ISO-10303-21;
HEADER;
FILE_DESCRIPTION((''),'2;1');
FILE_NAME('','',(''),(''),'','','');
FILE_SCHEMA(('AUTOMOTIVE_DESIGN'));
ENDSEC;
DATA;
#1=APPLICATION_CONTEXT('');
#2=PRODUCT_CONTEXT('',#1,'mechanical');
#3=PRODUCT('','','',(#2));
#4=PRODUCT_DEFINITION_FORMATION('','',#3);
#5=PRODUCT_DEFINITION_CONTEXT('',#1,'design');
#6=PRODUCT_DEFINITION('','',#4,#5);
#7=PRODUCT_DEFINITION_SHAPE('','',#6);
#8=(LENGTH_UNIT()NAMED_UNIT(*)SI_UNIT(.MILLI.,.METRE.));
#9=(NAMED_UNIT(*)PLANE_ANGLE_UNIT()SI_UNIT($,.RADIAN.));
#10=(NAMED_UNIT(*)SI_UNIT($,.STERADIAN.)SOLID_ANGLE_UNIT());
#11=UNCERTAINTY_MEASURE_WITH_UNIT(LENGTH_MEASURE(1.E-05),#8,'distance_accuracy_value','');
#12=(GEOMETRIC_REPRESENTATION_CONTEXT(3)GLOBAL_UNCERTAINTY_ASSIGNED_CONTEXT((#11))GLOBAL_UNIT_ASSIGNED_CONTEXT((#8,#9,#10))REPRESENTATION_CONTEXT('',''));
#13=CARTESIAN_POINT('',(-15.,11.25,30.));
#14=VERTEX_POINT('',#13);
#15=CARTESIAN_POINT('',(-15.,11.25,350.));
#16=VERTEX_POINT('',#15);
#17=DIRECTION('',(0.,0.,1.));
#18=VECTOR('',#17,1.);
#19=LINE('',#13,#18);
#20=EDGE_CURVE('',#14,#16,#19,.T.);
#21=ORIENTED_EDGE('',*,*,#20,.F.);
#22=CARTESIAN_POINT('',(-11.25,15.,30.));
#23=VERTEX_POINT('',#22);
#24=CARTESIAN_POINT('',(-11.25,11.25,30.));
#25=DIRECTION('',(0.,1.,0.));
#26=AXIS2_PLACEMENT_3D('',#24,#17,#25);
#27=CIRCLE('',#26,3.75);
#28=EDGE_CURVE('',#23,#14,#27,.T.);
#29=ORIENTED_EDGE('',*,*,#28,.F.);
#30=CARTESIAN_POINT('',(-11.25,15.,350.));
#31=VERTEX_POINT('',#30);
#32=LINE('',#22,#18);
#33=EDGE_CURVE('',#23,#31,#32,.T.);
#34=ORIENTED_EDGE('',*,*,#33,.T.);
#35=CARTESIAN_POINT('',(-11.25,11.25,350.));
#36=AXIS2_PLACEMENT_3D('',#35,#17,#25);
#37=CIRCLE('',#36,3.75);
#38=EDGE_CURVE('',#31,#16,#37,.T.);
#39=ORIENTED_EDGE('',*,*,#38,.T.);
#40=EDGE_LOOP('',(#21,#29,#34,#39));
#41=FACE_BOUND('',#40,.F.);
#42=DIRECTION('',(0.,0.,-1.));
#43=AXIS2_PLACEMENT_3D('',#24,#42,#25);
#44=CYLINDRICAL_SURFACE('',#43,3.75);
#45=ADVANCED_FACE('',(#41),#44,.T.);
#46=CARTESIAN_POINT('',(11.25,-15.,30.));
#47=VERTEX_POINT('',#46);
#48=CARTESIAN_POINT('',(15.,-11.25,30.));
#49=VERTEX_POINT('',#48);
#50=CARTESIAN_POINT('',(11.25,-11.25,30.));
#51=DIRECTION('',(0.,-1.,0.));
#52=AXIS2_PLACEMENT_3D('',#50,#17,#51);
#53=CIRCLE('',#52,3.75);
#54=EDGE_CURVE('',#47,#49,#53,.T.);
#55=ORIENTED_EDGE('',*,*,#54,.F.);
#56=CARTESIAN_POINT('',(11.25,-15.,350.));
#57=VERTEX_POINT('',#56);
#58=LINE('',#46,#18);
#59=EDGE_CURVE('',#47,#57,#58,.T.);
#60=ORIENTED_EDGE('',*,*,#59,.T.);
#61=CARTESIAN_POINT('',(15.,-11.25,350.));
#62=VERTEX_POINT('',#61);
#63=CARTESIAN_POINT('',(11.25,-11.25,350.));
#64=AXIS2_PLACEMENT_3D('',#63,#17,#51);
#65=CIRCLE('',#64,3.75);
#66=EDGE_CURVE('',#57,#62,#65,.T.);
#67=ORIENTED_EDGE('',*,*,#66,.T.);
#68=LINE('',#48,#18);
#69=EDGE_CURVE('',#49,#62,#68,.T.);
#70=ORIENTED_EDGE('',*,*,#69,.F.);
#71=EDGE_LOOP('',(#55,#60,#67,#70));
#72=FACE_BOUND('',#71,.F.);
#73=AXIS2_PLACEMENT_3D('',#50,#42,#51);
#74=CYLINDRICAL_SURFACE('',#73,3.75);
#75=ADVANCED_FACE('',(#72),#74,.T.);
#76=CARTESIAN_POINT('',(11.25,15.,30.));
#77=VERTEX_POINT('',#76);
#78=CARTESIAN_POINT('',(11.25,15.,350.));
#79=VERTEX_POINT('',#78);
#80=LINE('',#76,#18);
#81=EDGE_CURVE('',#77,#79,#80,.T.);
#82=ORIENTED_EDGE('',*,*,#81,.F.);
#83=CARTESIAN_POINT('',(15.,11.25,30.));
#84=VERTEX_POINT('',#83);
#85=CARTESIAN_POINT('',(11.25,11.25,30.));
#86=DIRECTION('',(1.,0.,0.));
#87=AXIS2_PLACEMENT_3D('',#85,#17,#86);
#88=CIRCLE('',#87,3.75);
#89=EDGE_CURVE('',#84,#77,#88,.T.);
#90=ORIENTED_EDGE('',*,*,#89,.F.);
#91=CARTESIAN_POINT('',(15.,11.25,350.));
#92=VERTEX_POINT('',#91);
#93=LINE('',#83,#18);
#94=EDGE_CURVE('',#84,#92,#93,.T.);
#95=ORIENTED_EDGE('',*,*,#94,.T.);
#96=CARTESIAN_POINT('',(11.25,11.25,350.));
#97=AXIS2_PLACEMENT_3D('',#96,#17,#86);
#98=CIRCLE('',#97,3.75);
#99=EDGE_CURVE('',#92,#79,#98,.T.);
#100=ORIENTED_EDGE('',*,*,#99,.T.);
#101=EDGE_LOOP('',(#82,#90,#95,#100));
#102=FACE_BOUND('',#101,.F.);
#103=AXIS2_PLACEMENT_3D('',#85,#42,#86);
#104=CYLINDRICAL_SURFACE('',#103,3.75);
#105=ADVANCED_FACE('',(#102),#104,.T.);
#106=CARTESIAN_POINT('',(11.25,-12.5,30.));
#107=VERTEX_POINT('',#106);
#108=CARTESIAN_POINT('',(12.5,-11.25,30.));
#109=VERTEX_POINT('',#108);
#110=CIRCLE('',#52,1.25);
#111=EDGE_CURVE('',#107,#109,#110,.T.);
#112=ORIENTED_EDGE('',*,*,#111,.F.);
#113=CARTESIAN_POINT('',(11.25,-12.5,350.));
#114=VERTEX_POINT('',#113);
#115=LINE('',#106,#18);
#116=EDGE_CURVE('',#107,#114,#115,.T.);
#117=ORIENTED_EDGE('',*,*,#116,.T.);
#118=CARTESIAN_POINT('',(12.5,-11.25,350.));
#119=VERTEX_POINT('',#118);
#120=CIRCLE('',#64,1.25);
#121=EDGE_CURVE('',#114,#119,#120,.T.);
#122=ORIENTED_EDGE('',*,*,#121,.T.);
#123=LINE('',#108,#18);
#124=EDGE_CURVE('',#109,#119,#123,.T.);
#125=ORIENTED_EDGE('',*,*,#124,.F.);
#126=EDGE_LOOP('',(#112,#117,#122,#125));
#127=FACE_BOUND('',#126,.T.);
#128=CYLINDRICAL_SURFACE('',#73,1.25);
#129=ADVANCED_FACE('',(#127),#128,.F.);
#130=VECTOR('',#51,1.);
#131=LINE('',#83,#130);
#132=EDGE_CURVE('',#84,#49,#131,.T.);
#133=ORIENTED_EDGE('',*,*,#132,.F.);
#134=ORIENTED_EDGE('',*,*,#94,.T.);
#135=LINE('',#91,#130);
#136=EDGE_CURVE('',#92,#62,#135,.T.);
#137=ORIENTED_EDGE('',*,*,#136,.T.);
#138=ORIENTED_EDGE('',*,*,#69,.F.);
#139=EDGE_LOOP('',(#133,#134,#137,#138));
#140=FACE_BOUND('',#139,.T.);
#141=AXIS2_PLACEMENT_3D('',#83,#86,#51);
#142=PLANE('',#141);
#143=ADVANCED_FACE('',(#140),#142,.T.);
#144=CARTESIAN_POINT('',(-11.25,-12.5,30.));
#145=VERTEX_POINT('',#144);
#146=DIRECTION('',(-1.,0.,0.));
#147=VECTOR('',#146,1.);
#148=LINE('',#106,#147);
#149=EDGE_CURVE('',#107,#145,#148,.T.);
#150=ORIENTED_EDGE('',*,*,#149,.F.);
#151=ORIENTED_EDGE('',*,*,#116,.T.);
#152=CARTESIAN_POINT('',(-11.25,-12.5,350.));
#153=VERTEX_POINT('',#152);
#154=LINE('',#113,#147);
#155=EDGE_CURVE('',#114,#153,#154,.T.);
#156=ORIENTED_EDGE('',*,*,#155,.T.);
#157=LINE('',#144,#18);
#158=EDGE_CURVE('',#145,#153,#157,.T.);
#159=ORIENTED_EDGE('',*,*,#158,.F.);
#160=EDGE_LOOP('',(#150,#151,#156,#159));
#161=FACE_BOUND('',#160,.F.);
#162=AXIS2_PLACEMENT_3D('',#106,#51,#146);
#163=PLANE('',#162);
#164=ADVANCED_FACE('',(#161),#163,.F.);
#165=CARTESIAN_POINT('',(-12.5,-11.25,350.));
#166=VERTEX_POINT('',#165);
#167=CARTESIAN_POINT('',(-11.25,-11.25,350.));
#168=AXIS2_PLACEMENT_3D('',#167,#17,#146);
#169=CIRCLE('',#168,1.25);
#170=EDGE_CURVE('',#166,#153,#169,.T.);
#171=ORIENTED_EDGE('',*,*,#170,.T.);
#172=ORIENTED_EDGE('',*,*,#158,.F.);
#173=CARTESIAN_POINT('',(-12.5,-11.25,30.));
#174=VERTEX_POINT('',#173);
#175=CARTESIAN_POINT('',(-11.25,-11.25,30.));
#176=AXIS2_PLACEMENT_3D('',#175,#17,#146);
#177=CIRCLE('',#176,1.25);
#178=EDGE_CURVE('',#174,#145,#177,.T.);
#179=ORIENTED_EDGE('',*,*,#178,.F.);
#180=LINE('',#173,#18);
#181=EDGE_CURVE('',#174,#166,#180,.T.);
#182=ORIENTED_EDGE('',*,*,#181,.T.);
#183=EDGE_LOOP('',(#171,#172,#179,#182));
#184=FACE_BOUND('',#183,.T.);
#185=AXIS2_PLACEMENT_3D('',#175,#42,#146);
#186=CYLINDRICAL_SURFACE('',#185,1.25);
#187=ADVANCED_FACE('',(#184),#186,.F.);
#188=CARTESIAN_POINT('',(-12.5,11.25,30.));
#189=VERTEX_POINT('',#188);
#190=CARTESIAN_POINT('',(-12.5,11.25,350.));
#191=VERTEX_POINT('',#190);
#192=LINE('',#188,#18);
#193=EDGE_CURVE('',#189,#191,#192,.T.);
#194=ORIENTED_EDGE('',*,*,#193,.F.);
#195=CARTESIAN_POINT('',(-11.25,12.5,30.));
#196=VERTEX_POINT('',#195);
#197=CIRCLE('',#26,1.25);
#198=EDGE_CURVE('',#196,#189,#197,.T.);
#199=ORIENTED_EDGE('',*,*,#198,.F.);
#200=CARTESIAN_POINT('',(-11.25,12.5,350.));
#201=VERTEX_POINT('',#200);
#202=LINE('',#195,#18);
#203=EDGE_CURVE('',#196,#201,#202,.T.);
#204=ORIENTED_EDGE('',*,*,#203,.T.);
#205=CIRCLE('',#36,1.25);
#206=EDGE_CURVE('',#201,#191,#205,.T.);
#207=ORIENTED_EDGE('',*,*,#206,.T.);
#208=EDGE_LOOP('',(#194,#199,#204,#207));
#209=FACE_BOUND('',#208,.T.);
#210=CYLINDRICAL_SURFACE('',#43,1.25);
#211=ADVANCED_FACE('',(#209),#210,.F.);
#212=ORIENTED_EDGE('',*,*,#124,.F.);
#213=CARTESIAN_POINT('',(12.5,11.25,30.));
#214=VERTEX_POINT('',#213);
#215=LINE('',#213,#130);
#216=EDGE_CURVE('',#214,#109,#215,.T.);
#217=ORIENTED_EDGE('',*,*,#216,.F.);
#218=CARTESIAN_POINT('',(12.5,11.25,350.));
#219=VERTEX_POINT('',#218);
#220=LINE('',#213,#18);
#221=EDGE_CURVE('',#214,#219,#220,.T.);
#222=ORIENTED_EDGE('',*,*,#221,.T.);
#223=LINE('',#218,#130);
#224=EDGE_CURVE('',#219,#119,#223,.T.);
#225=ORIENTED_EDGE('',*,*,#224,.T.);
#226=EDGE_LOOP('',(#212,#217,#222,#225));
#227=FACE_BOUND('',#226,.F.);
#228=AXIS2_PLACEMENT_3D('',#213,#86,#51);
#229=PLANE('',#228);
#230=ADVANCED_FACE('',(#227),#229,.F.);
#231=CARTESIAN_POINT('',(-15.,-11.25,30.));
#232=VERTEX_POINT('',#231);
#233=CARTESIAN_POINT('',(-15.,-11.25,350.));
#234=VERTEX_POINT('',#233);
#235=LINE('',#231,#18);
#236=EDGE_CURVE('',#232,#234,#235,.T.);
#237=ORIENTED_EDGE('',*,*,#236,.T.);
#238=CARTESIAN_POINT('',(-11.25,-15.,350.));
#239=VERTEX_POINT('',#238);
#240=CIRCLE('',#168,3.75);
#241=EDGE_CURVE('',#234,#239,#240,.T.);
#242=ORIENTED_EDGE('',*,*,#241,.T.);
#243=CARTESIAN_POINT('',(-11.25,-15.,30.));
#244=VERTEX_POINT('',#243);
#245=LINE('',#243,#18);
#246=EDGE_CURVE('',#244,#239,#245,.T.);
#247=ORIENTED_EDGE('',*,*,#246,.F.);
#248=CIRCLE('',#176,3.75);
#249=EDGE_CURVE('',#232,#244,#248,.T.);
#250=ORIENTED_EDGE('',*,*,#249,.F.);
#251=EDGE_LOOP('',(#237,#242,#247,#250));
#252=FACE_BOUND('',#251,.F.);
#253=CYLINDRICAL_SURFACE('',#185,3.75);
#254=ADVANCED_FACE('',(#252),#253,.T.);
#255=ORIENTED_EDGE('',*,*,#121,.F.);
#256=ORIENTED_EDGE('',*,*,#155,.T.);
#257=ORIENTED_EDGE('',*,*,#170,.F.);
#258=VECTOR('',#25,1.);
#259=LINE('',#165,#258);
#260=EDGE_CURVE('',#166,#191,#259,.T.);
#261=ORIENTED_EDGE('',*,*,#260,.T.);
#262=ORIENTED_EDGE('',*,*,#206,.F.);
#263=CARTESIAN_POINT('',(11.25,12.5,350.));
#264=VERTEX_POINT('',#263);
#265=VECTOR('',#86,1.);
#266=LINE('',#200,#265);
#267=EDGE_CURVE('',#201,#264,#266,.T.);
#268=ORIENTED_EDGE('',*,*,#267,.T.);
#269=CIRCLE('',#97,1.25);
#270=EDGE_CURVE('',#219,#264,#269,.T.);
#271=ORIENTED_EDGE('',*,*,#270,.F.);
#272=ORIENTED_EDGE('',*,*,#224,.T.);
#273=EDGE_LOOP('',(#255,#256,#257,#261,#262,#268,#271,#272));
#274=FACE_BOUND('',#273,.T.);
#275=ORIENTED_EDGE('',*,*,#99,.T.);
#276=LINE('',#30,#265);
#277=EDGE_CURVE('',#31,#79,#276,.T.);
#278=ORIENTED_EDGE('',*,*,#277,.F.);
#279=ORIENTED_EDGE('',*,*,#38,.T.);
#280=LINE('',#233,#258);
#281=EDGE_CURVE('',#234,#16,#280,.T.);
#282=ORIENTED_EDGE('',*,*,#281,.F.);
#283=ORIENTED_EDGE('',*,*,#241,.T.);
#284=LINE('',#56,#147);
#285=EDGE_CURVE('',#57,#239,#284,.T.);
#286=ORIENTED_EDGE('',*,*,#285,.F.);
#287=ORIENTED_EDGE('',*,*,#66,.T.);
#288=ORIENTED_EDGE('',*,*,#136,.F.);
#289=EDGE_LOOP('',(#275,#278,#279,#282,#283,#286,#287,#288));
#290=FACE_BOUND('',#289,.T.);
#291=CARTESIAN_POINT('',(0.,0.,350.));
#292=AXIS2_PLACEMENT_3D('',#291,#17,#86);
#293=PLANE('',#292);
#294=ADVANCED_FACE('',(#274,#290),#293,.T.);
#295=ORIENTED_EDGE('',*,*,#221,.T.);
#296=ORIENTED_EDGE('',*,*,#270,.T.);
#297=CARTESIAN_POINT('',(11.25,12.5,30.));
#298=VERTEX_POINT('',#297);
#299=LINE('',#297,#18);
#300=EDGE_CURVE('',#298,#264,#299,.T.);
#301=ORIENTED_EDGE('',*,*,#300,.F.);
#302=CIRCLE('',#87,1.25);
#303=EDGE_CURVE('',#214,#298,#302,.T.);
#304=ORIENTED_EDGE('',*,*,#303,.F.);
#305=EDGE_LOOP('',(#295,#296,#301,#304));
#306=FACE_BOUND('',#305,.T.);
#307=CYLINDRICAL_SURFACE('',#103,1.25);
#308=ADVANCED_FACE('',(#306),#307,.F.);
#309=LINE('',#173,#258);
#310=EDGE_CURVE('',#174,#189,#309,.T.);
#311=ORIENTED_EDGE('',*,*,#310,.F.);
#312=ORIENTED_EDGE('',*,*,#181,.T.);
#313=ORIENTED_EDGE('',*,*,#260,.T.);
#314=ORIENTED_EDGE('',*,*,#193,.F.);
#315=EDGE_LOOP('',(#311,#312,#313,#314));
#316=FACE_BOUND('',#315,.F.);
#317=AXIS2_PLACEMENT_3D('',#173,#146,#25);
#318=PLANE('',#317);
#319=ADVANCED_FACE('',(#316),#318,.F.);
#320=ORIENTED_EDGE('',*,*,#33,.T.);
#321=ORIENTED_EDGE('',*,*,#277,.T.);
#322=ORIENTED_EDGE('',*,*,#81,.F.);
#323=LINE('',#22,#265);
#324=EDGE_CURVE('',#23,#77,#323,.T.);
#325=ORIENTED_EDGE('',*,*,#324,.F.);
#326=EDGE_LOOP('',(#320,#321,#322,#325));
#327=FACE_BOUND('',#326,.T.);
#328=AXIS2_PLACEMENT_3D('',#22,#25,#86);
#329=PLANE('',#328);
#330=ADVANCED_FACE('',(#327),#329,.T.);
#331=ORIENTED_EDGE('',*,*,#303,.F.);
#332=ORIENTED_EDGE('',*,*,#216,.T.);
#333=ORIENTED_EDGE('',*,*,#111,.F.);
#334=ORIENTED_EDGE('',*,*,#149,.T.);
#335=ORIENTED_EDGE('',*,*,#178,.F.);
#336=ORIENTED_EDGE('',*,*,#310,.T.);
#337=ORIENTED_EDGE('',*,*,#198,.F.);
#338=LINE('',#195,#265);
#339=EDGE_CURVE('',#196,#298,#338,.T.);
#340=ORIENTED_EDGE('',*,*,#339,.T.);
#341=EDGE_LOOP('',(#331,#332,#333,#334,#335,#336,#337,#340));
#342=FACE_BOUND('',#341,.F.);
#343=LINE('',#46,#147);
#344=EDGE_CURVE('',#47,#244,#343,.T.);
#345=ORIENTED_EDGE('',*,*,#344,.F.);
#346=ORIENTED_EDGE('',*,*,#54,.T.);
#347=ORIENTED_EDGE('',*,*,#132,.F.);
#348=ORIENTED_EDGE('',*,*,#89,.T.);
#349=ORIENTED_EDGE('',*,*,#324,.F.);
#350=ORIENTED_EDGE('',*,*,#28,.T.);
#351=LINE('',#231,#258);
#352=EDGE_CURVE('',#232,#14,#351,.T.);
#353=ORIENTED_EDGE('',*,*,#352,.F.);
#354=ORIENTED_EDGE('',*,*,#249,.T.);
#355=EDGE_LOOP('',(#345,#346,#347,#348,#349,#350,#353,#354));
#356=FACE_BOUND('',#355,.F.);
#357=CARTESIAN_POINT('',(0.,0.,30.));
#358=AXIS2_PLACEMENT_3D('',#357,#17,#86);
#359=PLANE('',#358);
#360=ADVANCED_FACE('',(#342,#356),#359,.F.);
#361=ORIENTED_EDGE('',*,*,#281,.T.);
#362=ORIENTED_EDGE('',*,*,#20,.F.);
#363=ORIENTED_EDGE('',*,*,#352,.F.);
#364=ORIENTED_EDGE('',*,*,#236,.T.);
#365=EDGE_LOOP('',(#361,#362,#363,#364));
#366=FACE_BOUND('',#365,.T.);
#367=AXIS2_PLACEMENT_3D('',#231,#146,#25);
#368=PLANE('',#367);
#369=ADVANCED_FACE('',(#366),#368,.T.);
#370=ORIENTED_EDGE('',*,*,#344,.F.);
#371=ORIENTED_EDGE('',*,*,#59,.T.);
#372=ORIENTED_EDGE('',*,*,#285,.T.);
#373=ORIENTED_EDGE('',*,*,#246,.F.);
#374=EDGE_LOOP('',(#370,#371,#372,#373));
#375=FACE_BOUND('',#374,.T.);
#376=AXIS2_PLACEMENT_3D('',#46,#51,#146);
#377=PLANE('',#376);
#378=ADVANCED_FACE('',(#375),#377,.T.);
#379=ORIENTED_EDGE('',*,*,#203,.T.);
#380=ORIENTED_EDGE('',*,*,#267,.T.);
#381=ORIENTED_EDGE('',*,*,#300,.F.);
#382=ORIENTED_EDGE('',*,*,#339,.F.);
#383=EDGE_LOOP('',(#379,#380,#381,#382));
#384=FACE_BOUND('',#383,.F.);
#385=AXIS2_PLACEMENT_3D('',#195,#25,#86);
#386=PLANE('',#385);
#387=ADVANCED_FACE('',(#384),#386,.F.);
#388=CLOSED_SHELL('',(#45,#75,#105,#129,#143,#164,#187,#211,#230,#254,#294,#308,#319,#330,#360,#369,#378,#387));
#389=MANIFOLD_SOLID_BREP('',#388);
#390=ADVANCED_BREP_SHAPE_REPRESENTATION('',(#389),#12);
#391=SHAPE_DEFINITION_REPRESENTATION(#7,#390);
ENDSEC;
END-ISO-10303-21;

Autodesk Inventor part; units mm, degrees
ref_plane "Start plane" through (0, 0, 30) normal (0, 0, 1) x (1, 0, 0)
ref_plane "End plane" through (0, 0, 350) normal (0, 0, 1) x (1, 0, 0)
sketch "Sketch" plane through (0, 0, 0) normal (0, 0, 1) x (1, 0, 0)
  line L0 (-15, -11.25) -> (-15, 11.25)
  line L1 (-11.25, 15) -> (11.25, 15)
  line L2 (15, 11.25) -> (15, -11.25)
  line L3 (11.25, -15) -> (-11.25, -15)
  arc A0 (-15, -11.25) -> (-11.25, -15) centre (-11.25, -11.25) ccw
  arc A1 (-11.25, 15) -> (-15, 11.25) centre (-11.25, 11.25) ccw
  arc A2 (15, 11.25) -> (11.25, 15) centre (11.25, 11.25) ccw
  arc A3 (11.25, -15) -> (15, -11.25) centre (11.25, -11.25) ccw
  arc A4 (-11.25, 12.5) -> (-12.5, 11.25) centre (-11.25, 11.25) ccw
  line L4 (-11.25, 12.5) -> (11.25, 12.5)
  arc A5 (12.5, 11.25) -> (11.25, 12.5) centre (11.25, 11.25) ccw
  line L5 (12.5, 11.25) -> (12.5, -11.25)
  arc A6 (11.25, -12.5) -> (12.5, -11.25) centre (11.25, -11.25) ccw
  line L6 (11.25, -12.5) -> (-11.25, -12.5)
  arc A7 (-12.5, -11.25) -> (-11.25, -12.5) centre (-11.25, -11.25) ccw
  line L7 (-12.5, -11.25) -> (-12.5, 11.25)
  line L8 (0, 22.0873) -> (0, -22.0873) construction
  line L9 (-22.0873, 0) -> (22.0873, 0) construction
  dimension "d7" = 3.75
  dimension "d10" = 30
  dimension "d11" = 30
  dimension "d12" = 2.5
  dimension "d15" = 15
  dimension "d16" = 15
extrude "Body" add sketch "Sketch" along normal up to surface (320 mm away) from surface at 30
sketch "Sketch3" plane through (0, 0, 0) normal (0, 0, 1) x (1, 0, 0)
  line L0 (0, 0) -> (10, 0)
ref_plane "Work Plane3" through (0, 0, 0) normal (0, -1, 0) x (1, 0, 0)
sketch "Sketch4" plane through (0, 0, 0) normal (0, -1, 0) x (1, 0, 0)
  line L0 (-2, 30) -> (12, 30)
  line L1 (-2, 350) -> (12, 350)
  dimension "d18" = 320
ref_plane "Work Plane4" through (599.2, 515, 350) normal (0, 0, 1) x (1, 0, 0)
split "Split1" plane through (599.2, 515, 350) removes the side toward (0, 0, 1)
ref_plane "Work Plane5" through (-15, -11.25, 30) normal (0, 0, -1) x (-1, 0, 0)
split "Split2" plane through (-15, -11.25, 30) removes the side toward (0, 0, -1)
equation "\"d7\" = G_IR"
equation "\"d10\" = G_H"
equation "\"d11\" = G_W"
equation "\"d12\" = G_T"
equation "\"d15\" = 0.5 * d10"
equation "\"d16\" = 0.5 * d11"
equation "\"d3\" = G_L"
equation "\"G_W\" = 30"
equation "\"G_H\" = 30"
equation "\"G_T\" = 2.5"
equation "\"G_IR\" = 3.75"
equation "\"G_L\" = d18"
properties part number "DIN EN 10305-5 - 30 x 30 x 2,5  - 320" material "Steel, Mild"
